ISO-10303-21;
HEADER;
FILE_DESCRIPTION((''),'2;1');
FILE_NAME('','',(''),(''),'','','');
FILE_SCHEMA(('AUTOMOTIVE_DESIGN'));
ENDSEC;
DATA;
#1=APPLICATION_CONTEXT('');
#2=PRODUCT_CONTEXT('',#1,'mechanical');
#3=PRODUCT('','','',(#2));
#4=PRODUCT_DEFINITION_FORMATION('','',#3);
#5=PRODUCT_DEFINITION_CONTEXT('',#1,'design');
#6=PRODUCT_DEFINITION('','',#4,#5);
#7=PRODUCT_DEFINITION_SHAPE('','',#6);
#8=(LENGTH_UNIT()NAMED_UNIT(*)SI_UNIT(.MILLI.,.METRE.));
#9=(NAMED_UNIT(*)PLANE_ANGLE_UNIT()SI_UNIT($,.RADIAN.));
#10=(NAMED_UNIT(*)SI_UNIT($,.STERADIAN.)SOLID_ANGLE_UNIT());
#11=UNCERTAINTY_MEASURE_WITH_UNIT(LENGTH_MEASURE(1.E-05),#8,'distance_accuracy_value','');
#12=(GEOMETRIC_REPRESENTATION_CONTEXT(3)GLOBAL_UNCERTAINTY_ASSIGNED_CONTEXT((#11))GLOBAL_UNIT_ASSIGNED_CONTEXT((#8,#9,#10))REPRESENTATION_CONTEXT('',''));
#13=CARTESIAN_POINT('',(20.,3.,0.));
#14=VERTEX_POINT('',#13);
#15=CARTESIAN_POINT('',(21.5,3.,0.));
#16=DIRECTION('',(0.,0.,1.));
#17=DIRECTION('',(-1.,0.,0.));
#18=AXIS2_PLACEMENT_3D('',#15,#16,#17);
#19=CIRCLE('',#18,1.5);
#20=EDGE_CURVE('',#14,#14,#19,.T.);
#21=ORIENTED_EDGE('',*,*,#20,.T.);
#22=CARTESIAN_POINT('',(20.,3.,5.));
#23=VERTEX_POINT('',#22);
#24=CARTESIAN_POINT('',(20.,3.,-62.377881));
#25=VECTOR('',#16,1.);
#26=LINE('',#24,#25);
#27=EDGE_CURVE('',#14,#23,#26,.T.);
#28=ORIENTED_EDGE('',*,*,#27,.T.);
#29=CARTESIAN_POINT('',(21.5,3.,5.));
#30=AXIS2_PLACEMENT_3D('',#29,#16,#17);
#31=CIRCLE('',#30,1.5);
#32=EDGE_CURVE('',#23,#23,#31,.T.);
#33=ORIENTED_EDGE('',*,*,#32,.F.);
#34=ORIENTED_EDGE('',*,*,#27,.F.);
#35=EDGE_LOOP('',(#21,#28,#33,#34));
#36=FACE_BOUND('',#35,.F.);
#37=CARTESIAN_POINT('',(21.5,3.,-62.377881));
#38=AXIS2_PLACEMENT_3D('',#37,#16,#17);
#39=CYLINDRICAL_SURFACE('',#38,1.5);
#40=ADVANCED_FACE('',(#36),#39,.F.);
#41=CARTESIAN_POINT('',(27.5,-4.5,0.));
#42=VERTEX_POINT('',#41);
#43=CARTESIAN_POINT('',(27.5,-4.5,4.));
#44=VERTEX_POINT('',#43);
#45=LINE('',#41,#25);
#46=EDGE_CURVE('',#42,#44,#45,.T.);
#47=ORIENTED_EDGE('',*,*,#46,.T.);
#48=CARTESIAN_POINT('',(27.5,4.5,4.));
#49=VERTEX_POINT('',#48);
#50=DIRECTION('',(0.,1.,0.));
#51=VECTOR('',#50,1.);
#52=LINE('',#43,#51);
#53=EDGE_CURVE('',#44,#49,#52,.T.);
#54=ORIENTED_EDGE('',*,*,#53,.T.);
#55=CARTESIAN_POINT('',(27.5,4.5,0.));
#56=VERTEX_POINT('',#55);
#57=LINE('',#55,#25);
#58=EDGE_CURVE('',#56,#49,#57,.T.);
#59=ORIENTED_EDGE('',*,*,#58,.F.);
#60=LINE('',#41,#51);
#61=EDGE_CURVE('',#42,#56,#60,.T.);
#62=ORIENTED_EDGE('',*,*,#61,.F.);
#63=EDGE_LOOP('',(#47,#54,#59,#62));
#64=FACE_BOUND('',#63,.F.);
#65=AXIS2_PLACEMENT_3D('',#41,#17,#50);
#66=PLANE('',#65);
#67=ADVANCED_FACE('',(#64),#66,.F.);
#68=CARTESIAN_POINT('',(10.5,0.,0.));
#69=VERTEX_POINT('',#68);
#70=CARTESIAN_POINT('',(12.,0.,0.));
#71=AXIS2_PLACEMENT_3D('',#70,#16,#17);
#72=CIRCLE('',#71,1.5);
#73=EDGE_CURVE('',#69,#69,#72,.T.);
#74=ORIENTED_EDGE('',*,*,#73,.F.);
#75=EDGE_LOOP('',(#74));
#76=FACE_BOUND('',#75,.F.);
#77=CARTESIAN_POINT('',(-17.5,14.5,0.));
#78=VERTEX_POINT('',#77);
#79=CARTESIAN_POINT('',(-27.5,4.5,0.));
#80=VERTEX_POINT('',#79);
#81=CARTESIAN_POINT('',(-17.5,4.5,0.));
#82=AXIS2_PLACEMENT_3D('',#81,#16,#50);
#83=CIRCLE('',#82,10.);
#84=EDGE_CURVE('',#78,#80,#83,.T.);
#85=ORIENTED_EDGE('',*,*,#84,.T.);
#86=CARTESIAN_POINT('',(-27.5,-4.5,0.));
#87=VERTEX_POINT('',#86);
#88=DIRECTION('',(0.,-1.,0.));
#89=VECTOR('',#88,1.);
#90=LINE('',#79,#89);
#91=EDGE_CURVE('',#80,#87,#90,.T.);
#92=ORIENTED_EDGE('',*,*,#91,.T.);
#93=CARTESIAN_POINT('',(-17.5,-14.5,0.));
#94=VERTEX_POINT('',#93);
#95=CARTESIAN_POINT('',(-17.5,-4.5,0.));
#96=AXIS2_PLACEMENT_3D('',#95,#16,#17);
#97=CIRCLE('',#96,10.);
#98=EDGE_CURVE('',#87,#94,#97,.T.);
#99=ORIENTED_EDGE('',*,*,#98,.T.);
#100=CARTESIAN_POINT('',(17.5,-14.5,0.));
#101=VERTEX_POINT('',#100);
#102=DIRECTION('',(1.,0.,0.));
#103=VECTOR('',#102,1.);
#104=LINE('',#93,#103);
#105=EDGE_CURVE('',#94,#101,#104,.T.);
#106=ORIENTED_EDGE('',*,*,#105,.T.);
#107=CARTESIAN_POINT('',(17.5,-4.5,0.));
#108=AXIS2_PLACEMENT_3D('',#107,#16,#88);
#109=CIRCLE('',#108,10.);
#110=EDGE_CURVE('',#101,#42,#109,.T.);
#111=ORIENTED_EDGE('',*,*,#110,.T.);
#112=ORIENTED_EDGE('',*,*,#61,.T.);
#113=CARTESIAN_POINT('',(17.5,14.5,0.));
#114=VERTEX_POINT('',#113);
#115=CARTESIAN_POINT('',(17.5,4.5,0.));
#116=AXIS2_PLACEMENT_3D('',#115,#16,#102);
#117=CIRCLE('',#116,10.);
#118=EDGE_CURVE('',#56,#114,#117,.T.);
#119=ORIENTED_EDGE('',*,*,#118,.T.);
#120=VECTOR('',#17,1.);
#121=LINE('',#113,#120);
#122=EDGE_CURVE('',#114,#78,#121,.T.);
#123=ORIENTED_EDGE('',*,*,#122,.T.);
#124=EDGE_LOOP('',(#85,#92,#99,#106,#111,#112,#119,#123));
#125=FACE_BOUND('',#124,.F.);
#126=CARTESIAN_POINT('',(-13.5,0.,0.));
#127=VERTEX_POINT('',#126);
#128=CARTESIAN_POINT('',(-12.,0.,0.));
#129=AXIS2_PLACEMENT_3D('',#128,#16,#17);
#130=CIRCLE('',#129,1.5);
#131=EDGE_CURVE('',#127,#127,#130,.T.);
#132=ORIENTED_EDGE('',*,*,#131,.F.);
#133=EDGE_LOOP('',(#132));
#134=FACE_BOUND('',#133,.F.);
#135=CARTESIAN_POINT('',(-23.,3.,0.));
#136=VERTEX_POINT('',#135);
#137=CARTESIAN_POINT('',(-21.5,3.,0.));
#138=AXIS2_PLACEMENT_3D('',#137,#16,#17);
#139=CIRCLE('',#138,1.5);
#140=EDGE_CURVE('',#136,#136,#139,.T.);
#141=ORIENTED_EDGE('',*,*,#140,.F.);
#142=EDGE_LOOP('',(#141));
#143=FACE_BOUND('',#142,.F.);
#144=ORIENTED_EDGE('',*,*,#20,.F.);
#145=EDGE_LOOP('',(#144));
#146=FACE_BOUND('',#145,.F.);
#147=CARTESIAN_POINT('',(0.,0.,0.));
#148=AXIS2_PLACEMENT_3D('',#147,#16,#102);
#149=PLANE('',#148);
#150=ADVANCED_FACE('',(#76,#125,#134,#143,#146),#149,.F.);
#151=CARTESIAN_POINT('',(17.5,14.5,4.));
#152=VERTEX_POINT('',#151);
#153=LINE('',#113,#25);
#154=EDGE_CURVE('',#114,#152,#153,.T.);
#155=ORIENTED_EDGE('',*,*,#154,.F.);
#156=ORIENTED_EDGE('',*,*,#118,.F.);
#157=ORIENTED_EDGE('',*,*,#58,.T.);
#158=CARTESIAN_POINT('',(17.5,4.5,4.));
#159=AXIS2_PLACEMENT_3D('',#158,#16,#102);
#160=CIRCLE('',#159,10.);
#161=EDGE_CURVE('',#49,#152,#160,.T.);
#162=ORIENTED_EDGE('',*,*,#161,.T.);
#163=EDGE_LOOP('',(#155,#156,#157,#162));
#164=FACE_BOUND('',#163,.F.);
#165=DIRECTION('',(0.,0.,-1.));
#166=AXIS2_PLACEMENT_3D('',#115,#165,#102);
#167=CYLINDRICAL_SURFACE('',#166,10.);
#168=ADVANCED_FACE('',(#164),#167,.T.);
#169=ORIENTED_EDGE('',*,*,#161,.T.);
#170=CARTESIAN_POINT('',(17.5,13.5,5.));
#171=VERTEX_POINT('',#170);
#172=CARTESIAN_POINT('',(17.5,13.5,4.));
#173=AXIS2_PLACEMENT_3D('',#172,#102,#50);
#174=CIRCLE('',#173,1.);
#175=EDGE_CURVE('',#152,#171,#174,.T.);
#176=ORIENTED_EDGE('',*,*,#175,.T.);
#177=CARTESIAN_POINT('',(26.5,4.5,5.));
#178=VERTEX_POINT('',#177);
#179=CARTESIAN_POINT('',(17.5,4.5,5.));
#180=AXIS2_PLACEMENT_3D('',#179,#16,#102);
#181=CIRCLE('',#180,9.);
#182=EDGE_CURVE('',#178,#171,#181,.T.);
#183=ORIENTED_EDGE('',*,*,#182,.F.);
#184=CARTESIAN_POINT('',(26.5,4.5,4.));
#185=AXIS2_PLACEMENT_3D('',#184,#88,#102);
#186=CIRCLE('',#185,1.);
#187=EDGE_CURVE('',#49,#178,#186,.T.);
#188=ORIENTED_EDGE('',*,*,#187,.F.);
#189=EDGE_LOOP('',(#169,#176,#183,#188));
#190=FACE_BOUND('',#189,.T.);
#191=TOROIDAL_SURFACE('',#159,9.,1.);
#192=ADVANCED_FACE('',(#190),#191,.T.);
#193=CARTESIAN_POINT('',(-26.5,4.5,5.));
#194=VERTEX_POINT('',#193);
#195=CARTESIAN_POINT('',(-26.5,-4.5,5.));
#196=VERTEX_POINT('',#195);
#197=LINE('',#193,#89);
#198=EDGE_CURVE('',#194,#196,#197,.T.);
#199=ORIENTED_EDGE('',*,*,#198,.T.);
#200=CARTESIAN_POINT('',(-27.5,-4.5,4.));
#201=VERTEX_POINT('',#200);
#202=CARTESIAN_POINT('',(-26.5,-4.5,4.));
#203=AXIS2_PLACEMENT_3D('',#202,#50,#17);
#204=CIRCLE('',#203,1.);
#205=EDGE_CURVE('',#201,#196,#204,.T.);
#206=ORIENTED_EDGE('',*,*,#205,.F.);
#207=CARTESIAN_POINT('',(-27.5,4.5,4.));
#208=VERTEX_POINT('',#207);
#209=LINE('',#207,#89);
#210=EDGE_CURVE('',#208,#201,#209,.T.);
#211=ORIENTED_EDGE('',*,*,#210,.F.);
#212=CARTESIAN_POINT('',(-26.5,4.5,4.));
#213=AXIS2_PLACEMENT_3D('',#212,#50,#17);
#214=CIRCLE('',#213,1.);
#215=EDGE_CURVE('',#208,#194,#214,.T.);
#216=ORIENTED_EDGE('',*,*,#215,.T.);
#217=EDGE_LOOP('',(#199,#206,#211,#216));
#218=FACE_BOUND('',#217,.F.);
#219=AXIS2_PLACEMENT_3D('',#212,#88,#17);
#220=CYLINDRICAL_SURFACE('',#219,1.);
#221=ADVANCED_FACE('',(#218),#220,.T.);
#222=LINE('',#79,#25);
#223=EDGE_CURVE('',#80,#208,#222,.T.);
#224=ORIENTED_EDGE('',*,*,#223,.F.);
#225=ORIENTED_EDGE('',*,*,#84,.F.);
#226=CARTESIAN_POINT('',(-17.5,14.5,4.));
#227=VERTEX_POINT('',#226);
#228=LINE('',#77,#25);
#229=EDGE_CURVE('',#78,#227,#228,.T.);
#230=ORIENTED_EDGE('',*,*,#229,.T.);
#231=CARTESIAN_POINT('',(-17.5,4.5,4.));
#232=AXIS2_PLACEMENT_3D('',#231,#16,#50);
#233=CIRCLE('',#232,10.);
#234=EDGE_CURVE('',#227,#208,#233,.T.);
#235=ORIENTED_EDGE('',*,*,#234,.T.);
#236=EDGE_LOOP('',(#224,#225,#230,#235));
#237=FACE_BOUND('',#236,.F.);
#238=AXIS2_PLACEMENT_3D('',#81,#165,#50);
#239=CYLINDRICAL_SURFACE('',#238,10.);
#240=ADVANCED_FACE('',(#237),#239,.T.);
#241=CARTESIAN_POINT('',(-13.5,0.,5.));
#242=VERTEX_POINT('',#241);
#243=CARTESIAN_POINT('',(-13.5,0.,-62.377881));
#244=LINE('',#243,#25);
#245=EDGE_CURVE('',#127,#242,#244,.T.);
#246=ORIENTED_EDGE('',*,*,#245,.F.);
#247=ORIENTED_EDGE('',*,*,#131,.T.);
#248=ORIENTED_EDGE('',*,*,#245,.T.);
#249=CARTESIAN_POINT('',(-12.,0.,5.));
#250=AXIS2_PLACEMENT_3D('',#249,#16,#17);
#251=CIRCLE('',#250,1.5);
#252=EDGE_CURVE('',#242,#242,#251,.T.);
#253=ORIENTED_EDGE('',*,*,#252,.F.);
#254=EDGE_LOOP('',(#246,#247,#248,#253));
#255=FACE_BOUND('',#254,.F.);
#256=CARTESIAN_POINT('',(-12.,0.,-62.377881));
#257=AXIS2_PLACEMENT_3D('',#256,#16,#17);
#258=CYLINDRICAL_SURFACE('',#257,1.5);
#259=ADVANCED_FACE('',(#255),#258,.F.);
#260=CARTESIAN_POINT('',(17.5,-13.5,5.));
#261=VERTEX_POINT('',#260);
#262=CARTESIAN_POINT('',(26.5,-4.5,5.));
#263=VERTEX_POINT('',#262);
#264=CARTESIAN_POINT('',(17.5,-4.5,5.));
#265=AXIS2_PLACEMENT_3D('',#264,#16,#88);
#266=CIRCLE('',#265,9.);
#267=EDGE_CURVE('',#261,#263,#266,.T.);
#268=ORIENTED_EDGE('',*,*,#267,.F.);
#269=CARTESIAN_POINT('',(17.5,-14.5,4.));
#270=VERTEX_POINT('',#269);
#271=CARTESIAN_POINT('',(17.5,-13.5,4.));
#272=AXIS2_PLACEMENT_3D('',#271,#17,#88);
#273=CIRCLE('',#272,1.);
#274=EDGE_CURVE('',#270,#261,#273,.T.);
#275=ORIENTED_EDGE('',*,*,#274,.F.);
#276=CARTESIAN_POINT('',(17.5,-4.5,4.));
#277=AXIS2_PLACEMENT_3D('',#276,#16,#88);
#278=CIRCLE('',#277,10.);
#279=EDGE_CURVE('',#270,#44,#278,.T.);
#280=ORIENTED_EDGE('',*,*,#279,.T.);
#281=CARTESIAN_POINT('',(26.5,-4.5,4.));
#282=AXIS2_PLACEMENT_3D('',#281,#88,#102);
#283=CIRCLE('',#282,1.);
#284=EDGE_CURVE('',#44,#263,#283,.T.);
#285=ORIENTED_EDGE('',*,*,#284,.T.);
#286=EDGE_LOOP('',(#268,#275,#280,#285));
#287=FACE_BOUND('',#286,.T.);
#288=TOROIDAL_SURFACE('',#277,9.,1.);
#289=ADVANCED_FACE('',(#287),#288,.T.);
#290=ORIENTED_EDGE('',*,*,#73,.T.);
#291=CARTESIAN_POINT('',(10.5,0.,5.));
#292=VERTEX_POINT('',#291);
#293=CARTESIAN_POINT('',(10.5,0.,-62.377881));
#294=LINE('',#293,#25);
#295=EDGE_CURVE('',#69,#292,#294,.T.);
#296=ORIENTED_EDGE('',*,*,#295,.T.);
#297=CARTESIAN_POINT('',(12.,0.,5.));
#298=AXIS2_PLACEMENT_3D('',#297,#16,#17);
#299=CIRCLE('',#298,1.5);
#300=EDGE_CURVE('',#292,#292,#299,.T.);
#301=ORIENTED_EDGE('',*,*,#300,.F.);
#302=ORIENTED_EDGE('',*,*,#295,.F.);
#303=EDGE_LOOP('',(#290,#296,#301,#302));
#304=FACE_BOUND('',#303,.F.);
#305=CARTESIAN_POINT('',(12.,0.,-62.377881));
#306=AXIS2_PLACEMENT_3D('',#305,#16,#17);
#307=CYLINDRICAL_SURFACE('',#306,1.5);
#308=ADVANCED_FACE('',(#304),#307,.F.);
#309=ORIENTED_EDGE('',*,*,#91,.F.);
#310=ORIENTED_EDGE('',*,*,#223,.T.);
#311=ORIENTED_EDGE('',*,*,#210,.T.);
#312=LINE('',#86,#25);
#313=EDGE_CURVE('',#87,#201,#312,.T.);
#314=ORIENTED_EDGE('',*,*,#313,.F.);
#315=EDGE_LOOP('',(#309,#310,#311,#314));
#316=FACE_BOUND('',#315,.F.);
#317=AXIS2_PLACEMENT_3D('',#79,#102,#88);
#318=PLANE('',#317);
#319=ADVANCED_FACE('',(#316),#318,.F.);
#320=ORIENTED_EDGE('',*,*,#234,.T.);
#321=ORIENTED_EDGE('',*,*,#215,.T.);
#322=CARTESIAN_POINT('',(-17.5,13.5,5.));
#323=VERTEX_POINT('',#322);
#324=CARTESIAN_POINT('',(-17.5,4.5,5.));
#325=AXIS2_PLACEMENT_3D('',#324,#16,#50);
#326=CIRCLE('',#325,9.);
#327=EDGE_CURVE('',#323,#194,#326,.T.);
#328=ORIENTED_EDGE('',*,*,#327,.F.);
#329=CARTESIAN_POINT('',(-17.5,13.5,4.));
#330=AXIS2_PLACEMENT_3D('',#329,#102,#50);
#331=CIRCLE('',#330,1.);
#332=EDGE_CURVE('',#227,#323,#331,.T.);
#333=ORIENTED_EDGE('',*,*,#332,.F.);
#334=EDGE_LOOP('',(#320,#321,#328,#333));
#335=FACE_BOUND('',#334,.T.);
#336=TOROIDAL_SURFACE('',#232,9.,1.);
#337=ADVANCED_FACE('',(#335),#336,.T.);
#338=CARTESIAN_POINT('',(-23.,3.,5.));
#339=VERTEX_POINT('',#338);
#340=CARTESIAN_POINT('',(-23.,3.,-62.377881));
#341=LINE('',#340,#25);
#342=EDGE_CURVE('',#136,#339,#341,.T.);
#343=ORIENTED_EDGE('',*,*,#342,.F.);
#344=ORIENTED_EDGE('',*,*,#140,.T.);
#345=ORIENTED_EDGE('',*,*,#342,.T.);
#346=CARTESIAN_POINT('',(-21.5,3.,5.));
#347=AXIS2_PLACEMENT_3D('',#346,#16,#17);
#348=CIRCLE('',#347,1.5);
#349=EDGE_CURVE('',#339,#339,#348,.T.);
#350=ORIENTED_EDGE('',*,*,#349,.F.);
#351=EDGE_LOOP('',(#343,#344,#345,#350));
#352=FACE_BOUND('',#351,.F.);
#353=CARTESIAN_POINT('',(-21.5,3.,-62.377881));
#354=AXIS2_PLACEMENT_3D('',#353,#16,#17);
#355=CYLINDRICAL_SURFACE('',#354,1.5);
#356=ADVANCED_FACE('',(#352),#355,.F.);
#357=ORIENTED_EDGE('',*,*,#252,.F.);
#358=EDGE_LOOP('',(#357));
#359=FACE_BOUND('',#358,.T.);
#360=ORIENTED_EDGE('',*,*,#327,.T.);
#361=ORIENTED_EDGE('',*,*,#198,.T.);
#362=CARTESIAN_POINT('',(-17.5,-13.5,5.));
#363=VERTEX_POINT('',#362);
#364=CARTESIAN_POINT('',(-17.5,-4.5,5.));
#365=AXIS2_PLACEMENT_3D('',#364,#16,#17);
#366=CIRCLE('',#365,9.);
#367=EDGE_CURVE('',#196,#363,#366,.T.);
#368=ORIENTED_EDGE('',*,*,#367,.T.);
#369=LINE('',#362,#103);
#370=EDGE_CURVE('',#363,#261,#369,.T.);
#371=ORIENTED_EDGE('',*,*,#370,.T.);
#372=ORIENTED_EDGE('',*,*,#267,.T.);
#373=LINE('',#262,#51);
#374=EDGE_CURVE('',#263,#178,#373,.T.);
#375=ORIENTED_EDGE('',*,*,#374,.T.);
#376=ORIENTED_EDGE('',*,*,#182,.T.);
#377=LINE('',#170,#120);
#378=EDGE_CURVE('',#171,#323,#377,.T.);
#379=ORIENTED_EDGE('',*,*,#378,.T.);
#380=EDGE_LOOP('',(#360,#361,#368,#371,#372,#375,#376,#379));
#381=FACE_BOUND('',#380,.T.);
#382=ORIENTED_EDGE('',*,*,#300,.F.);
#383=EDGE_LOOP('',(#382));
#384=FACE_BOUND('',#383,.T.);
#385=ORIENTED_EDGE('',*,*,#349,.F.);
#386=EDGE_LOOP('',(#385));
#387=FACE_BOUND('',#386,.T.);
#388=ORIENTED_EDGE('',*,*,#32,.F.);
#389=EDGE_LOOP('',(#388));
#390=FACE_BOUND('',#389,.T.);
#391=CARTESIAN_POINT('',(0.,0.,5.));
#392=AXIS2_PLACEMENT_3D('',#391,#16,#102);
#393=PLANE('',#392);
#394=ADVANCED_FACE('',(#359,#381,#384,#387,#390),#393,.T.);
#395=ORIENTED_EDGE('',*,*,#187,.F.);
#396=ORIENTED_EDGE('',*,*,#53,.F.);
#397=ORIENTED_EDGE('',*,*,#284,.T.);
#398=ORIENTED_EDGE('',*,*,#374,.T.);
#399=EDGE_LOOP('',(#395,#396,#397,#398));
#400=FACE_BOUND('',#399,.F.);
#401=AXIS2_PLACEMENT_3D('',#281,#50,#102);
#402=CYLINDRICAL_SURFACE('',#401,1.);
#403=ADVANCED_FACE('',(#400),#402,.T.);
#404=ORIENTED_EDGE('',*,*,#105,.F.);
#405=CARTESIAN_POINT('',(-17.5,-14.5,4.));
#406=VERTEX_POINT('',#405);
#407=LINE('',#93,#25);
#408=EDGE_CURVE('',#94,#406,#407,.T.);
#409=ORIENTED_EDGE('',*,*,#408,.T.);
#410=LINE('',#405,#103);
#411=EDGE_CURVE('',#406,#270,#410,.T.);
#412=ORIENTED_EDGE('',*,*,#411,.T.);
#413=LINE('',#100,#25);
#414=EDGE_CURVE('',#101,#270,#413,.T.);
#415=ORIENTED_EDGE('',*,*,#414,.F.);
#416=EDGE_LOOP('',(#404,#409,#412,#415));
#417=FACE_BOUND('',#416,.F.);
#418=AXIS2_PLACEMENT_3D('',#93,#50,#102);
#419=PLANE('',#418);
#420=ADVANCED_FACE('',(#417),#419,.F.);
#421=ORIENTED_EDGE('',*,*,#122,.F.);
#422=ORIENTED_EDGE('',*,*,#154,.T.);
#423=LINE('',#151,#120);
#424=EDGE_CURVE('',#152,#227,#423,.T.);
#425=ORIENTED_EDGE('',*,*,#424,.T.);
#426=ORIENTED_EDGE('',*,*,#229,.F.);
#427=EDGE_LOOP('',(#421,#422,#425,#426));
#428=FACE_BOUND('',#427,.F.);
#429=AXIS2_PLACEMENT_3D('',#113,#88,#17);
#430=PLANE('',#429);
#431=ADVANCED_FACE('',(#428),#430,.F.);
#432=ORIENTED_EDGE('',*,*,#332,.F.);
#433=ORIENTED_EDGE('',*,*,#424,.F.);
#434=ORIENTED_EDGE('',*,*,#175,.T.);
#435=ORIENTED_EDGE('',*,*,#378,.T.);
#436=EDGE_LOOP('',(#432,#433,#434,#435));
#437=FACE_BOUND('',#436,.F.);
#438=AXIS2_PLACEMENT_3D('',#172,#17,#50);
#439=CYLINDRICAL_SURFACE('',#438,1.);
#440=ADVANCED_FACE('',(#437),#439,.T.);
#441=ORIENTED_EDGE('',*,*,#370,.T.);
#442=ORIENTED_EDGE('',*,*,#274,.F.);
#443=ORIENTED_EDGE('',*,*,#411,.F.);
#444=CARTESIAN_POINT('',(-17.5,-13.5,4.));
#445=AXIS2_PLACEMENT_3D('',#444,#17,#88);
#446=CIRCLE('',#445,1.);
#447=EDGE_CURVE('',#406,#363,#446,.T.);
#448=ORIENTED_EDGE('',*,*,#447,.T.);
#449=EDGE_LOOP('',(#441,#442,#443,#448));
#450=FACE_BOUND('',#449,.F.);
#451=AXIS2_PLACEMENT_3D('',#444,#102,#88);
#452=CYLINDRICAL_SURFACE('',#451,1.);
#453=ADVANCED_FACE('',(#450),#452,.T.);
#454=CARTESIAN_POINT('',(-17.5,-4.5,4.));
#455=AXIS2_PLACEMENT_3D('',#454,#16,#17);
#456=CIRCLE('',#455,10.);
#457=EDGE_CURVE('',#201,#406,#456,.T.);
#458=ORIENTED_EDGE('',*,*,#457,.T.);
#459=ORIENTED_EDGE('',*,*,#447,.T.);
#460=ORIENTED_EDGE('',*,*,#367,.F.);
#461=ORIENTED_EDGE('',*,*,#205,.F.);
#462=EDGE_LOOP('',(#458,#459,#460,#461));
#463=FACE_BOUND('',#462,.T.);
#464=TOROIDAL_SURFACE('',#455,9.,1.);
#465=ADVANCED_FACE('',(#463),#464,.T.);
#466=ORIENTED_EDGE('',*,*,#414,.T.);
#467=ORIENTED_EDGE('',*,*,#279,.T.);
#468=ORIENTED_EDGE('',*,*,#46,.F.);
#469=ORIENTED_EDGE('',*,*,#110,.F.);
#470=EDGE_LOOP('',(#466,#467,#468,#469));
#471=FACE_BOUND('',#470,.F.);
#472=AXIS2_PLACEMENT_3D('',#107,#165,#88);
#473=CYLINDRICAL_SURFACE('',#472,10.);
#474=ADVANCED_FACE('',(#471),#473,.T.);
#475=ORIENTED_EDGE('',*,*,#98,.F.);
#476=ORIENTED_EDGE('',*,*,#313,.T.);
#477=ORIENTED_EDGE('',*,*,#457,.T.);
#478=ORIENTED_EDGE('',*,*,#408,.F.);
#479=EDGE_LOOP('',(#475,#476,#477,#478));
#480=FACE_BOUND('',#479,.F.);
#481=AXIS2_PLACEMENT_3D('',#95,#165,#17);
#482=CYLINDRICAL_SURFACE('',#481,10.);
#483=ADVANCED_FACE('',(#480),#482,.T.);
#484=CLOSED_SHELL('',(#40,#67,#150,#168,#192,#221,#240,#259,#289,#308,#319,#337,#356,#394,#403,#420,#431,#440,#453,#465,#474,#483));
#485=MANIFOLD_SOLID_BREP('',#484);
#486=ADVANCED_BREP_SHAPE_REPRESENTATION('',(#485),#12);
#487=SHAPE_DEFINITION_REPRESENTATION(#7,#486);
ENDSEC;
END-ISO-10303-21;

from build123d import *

# Parameters (mm, degrees)
F1_DEPTH = 5
F2_R     = 1
F3_D     = 3
F4_D     = 3


with BuildPart() as f1:
    # F0 (on Top) → F1 (new body)
    with BuildSketch(Plane.XY):
        with BuildLine():
            Line((17.5, 14.5), (-17.5, 14.5))
            ThreePointArc((-17.5, 14.5), (-24.5710678119, 11.5710678119), (-27.5, 4.5))
            Line((-27.5, 4.5), (-27.5, -4.5))
            ThreePointArc((-27.5, -4.5), (-24.5710678119, -11.5710678119), (-17.5, -14.5))
            Line((-17.5, -14.5), (17.5, -14.5))
            ThreePointArc((17.5, -14.5), (24.5710678119, -11.5710678119), (27.5, -4.5))
            Line((27.5, -4.5), (27.5, 4.5))
            ThreePointArc((27.5, 4.5), (24.5710678119, 11.5710678119), (17.5, 14.5))
        make_face()
    extrude(amount=F1_DEPTH)

    # F2
    f2_edges = [f1.edges().sort_by_distance(p)[0] for p in [
        (0, 14.5, 5),
        (-24.571068, 11.571068, 5),
        (-27.5, 0, 5),
        (-24.571068, -11.571068, 5),
        (0, -14.5, 5),
        (24.571068, -11.571068, 5),
        (27.5, 0, 5),
        (24.571068, 11.571068, 5),
    ]]
    fillet(f2_edges, radius=F2_R)

    # F3 (through all)
    with Locations(Plane(origin=(0, 0, 0), x_dir=(1, 0, 0), z_dir=(0, 0, -1))):
        with Locations((-21.5, -3), (21.5, -3)):
            Hole(F3_D / 2)

    # F4 (through all)
    with Locations(Plane(origin=(0, 0, 0), x_dir=(1, 0, 0), z_dir=(0, 0, -1))):
        with Locations((-12, 0), (12, 0)):
            Hole(F4_D / 2)


solid = f1.part
